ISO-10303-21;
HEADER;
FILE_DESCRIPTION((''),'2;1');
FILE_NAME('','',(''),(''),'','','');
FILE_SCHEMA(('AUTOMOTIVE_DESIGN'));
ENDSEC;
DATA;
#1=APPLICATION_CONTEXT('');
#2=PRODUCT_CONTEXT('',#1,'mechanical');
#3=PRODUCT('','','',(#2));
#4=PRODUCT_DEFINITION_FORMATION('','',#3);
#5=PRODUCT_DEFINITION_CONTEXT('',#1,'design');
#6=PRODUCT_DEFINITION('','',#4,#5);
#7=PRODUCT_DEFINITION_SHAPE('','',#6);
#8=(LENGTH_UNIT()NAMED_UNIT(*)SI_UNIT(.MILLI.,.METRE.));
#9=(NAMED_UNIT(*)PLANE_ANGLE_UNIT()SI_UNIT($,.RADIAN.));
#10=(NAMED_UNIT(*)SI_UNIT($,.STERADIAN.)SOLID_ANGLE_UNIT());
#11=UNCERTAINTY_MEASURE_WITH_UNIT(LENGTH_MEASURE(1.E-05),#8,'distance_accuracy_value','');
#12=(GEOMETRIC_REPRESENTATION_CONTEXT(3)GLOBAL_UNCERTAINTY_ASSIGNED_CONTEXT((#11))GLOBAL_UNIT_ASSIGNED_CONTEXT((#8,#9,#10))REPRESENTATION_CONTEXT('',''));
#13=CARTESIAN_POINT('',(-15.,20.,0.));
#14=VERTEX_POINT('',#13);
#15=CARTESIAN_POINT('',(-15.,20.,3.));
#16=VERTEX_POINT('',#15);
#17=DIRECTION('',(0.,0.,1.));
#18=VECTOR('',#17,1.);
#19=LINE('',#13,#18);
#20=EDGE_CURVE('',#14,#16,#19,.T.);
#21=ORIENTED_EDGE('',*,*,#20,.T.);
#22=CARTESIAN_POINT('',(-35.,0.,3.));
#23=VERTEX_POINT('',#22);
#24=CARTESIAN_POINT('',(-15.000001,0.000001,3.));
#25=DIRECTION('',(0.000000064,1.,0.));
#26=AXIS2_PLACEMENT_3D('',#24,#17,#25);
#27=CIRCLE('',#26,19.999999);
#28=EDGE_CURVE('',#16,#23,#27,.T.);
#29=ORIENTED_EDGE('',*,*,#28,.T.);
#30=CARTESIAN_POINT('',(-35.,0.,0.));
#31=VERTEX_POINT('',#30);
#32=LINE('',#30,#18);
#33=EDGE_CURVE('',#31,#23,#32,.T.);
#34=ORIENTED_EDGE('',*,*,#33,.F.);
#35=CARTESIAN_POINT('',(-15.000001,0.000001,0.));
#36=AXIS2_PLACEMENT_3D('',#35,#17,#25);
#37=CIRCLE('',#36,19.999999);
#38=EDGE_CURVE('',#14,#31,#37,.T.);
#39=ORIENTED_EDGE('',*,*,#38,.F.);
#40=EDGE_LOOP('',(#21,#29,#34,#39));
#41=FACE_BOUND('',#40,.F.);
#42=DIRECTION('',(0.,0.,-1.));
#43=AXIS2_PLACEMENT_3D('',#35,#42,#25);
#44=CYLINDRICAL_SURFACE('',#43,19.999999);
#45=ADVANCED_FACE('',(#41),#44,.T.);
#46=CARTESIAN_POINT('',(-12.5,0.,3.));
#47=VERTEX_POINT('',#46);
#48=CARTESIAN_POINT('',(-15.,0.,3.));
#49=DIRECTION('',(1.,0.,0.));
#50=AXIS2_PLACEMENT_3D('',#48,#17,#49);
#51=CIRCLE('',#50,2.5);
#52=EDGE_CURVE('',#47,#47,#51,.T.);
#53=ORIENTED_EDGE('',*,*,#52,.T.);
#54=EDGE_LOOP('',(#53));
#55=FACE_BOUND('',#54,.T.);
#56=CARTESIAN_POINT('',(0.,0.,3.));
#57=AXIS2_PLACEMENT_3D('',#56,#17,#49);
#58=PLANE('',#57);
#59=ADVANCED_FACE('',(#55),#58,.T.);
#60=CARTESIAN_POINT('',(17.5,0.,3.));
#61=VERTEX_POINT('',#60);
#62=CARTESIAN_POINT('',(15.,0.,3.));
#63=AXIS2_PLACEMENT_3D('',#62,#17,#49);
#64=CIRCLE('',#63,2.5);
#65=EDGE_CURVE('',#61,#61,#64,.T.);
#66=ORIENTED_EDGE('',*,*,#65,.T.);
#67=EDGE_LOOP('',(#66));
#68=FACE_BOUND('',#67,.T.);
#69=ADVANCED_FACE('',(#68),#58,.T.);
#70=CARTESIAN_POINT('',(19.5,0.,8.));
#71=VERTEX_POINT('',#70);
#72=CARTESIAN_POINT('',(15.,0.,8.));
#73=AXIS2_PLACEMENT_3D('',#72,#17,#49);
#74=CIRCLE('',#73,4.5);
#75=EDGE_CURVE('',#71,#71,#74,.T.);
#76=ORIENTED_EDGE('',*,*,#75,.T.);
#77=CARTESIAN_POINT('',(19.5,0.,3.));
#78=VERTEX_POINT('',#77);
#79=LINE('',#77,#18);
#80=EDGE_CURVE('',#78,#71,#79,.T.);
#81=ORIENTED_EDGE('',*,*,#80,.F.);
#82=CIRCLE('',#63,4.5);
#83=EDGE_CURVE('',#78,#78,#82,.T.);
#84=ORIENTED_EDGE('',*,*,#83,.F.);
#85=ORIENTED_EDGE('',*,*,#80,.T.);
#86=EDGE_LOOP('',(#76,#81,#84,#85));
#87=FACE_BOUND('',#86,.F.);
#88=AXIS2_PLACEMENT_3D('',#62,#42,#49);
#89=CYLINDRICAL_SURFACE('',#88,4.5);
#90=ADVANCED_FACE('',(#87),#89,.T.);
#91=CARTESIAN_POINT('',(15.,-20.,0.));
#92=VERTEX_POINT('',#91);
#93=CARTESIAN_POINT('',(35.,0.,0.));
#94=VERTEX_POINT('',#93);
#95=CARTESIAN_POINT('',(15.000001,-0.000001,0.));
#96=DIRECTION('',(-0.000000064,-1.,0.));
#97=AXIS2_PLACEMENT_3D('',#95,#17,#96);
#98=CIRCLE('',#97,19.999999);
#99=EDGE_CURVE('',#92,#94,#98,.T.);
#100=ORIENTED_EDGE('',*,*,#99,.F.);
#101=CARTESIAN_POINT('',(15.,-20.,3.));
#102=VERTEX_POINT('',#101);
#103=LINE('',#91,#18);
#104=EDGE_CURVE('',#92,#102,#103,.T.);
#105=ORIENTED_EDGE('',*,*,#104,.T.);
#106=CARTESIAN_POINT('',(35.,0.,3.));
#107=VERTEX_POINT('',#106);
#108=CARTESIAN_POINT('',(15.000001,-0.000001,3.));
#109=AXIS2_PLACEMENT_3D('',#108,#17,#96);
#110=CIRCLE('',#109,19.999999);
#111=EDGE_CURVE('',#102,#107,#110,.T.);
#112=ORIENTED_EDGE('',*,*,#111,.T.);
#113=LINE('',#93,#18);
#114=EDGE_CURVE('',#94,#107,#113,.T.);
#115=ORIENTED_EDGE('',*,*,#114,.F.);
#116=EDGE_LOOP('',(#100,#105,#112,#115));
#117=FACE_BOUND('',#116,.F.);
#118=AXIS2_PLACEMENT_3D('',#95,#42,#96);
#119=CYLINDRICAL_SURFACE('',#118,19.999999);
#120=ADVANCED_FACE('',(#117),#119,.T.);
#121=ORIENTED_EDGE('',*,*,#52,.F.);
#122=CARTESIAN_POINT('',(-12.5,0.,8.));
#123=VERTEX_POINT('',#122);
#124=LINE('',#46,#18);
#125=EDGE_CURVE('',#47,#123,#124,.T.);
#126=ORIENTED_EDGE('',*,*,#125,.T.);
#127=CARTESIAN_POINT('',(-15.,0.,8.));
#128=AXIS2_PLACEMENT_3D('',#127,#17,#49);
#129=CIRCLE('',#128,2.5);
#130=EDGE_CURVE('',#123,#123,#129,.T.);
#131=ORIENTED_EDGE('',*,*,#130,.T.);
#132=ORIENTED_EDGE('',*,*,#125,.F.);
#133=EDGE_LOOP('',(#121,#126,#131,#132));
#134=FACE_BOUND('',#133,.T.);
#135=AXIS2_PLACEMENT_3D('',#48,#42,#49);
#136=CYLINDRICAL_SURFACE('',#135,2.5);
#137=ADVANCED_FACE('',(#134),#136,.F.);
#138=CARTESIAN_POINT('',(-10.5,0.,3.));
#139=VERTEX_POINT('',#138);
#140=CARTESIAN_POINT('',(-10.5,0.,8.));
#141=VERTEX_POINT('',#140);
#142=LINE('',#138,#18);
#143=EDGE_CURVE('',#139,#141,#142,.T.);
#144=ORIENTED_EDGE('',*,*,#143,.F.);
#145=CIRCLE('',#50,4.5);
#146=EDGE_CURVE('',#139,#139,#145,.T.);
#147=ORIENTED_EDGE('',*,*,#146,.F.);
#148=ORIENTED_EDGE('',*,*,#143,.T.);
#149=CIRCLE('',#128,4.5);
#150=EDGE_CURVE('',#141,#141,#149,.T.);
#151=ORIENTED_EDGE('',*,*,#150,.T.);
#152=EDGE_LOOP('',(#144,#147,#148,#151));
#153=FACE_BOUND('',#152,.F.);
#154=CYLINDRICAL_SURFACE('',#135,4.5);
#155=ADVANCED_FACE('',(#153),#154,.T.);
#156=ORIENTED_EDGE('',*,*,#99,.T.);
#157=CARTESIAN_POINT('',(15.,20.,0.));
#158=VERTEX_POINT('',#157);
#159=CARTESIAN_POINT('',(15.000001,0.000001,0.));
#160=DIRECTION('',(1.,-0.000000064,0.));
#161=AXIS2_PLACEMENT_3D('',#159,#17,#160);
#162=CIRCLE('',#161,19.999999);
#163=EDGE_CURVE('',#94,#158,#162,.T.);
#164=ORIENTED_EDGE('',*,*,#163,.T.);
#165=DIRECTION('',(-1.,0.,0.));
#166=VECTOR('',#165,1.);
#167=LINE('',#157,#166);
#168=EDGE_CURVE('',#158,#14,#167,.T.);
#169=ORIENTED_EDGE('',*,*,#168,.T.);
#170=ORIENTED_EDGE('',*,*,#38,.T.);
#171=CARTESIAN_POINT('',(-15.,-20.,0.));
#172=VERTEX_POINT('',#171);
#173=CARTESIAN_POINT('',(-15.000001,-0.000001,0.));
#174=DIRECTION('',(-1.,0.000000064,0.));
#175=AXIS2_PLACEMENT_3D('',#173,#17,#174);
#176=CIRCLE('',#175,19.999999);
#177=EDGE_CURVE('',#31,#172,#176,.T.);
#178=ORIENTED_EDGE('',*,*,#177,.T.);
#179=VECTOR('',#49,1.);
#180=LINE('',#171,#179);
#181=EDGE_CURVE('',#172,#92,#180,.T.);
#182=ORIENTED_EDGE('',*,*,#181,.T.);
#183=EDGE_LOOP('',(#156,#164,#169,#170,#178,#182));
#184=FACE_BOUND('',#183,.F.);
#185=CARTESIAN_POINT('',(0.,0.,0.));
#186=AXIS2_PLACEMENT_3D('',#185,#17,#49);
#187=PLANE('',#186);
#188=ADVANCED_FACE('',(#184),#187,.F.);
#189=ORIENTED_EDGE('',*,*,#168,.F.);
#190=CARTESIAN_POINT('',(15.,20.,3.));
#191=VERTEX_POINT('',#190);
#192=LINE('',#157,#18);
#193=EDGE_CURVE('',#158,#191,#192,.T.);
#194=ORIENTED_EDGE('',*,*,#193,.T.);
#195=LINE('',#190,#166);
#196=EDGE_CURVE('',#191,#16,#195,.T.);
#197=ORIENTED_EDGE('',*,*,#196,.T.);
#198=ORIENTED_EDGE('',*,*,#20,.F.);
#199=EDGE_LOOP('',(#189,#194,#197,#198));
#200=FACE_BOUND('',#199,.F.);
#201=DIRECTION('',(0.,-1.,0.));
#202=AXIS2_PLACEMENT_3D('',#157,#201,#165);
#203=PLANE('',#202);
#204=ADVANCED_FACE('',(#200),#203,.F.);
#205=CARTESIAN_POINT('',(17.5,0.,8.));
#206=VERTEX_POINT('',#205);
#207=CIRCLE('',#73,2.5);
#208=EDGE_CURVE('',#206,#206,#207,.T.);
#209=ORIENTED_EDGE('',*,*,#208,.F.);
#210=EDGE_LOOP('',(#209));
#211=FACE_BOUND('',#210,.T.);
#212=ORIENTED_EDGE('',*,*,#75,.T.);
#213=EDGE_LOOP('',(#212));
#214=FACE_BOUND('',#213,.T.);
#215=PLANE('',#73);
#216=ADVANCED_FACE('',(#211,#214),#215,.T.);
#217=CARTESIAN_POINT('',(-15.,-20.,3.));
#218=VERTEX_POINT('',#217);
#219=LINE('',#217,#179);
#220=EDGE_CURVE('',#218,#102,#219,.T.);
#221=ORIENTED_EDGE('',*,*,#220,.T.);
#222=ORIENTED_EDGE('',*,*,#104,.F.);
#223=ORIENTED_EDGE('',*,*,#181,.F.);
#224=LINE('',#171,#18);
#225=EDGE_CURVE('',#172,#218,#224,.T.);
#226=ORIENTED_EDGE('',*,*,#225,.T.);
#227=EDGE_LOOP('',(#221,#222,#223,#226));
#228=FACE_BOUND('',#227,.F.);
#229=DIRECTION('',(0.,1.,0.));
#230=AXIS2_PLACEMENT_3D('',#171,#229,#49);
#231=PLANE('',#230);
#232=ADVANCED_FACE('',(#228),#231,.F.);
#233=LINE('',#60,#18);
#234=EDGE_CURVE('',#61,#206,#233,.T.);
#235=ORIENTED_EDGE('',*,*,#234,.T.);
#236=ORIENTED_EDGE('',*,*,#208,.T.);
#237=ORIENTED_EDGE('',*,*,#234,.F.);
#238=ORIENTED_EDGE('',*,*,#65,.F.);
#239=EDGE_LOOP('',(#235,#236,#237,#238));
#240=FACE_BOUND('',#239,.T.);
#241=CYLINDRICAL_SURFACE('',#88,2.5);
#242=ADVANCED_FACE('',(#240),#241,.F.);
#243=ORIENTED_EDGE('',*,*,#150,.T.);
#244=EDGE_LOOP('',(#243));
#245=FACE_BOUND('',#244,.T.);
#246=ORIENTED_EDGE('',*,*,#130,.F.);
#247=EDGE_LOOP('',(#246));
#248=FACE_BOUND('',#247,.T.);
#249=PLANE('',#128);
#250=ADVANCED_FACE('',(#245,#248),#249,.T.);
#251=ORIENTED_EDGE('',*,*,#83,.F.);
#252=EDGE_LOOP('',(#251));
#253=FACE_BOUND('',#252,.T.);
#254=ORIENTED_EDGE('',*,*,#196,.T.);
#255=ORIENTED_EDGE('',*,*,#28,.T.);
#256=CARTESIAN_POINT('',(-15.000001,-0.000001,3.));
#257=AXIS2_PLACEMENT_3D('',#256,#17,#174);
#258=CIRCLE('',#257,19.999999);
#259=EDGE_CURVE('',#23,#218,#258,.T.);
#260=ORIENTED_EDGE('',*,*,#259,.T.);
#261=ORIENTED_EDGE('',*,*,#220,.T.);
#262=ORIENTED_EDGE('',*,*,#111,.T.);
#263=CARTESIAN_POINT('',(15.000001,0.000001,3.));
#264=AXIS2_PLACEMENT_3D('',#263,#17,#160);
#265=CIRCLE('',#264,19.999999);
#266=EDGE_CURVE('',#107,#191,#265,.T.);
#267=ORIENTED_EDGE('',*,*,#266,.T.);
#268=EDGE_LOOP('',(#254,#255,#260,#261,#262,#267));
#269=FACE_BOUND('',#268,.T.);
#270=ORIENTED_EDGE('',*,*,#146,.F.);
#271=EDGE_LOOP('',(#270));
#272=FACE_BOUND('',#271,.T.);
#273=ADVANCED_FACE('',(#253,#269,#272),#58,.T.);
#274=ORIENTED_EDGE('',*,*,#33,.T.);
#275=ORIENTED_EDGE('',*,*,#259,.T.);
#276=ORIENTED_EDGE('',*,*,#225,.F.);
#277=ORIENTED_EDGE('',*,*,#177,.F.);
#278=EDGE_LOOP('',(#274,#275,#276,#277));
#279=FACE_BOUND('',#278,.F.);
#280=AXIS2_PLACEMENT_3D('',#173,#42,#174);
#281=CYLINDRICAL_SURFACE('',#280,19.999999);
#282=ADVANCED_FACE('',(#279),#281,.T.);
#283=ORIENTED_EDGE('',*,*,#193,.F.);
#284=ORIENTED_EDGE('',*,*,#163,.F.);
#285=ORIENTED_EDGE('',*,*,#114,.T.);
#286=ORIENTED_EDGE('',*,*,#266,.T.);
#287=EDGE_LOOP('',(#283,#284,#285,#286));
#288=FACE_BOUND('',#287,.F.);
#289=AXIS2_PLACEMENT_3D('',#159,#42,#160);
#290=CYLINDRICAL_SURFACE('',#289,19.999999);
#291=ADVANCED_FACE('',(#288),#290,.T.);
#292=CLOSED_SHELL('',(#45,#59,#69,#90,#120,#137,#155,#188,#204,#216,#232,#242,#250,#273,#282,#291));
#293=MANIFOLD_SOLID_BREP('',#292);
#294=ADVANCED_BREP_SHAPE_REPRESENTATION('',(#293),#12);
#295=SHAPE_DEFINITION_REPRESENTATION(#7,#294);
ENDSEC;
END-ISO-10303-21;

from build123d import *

# Parameters (mm, degrees)
F1_DEPTH = 3
F2_R     = 4.5
F2_R_2   = 2.5
F3_DEPTH = 5


with BuildPart() as f1:
    # F0 (on Top) → F1 (new body)
    with BuildSketch(Plane.XY):
        with BuildLine():
            Line((-15, -20), (15, -20))
            ThreePointArc((15, -20), (29.142136, -14.142136), (35, 0))
            ThreePointArc((35, 0), (29.142136, 14.142136), (15, 20))
            Line((15, 20), (-15, 20))
            ThreePointArc((-15, 20), (-29.142136, 14.142136), (-35, 0))
            ThreePointArc((-35, 0), (-29.142136, -14.142136), (-15, -20))
        make_face()
    extrude(amount=F1_DEPTH)

    # F2 (on face) → F3 (join)
    with BuildSketch(Plane.XY.offset(3)):
        with Locations((-15, 0)):
            Circle(F2_R)
        with Locations((-15, 0)):
            Circle(F2_R_2, mode=Mode.SUBTRACT)
        with Locations((15, 0)):
            Circle(F2_R)
        with Locations((15, 0)):
            Circle(F2_R_2, mode=Mode.SUBTRACT)
    extrude(amount=F3_DEPTH)


solid = f1.part
